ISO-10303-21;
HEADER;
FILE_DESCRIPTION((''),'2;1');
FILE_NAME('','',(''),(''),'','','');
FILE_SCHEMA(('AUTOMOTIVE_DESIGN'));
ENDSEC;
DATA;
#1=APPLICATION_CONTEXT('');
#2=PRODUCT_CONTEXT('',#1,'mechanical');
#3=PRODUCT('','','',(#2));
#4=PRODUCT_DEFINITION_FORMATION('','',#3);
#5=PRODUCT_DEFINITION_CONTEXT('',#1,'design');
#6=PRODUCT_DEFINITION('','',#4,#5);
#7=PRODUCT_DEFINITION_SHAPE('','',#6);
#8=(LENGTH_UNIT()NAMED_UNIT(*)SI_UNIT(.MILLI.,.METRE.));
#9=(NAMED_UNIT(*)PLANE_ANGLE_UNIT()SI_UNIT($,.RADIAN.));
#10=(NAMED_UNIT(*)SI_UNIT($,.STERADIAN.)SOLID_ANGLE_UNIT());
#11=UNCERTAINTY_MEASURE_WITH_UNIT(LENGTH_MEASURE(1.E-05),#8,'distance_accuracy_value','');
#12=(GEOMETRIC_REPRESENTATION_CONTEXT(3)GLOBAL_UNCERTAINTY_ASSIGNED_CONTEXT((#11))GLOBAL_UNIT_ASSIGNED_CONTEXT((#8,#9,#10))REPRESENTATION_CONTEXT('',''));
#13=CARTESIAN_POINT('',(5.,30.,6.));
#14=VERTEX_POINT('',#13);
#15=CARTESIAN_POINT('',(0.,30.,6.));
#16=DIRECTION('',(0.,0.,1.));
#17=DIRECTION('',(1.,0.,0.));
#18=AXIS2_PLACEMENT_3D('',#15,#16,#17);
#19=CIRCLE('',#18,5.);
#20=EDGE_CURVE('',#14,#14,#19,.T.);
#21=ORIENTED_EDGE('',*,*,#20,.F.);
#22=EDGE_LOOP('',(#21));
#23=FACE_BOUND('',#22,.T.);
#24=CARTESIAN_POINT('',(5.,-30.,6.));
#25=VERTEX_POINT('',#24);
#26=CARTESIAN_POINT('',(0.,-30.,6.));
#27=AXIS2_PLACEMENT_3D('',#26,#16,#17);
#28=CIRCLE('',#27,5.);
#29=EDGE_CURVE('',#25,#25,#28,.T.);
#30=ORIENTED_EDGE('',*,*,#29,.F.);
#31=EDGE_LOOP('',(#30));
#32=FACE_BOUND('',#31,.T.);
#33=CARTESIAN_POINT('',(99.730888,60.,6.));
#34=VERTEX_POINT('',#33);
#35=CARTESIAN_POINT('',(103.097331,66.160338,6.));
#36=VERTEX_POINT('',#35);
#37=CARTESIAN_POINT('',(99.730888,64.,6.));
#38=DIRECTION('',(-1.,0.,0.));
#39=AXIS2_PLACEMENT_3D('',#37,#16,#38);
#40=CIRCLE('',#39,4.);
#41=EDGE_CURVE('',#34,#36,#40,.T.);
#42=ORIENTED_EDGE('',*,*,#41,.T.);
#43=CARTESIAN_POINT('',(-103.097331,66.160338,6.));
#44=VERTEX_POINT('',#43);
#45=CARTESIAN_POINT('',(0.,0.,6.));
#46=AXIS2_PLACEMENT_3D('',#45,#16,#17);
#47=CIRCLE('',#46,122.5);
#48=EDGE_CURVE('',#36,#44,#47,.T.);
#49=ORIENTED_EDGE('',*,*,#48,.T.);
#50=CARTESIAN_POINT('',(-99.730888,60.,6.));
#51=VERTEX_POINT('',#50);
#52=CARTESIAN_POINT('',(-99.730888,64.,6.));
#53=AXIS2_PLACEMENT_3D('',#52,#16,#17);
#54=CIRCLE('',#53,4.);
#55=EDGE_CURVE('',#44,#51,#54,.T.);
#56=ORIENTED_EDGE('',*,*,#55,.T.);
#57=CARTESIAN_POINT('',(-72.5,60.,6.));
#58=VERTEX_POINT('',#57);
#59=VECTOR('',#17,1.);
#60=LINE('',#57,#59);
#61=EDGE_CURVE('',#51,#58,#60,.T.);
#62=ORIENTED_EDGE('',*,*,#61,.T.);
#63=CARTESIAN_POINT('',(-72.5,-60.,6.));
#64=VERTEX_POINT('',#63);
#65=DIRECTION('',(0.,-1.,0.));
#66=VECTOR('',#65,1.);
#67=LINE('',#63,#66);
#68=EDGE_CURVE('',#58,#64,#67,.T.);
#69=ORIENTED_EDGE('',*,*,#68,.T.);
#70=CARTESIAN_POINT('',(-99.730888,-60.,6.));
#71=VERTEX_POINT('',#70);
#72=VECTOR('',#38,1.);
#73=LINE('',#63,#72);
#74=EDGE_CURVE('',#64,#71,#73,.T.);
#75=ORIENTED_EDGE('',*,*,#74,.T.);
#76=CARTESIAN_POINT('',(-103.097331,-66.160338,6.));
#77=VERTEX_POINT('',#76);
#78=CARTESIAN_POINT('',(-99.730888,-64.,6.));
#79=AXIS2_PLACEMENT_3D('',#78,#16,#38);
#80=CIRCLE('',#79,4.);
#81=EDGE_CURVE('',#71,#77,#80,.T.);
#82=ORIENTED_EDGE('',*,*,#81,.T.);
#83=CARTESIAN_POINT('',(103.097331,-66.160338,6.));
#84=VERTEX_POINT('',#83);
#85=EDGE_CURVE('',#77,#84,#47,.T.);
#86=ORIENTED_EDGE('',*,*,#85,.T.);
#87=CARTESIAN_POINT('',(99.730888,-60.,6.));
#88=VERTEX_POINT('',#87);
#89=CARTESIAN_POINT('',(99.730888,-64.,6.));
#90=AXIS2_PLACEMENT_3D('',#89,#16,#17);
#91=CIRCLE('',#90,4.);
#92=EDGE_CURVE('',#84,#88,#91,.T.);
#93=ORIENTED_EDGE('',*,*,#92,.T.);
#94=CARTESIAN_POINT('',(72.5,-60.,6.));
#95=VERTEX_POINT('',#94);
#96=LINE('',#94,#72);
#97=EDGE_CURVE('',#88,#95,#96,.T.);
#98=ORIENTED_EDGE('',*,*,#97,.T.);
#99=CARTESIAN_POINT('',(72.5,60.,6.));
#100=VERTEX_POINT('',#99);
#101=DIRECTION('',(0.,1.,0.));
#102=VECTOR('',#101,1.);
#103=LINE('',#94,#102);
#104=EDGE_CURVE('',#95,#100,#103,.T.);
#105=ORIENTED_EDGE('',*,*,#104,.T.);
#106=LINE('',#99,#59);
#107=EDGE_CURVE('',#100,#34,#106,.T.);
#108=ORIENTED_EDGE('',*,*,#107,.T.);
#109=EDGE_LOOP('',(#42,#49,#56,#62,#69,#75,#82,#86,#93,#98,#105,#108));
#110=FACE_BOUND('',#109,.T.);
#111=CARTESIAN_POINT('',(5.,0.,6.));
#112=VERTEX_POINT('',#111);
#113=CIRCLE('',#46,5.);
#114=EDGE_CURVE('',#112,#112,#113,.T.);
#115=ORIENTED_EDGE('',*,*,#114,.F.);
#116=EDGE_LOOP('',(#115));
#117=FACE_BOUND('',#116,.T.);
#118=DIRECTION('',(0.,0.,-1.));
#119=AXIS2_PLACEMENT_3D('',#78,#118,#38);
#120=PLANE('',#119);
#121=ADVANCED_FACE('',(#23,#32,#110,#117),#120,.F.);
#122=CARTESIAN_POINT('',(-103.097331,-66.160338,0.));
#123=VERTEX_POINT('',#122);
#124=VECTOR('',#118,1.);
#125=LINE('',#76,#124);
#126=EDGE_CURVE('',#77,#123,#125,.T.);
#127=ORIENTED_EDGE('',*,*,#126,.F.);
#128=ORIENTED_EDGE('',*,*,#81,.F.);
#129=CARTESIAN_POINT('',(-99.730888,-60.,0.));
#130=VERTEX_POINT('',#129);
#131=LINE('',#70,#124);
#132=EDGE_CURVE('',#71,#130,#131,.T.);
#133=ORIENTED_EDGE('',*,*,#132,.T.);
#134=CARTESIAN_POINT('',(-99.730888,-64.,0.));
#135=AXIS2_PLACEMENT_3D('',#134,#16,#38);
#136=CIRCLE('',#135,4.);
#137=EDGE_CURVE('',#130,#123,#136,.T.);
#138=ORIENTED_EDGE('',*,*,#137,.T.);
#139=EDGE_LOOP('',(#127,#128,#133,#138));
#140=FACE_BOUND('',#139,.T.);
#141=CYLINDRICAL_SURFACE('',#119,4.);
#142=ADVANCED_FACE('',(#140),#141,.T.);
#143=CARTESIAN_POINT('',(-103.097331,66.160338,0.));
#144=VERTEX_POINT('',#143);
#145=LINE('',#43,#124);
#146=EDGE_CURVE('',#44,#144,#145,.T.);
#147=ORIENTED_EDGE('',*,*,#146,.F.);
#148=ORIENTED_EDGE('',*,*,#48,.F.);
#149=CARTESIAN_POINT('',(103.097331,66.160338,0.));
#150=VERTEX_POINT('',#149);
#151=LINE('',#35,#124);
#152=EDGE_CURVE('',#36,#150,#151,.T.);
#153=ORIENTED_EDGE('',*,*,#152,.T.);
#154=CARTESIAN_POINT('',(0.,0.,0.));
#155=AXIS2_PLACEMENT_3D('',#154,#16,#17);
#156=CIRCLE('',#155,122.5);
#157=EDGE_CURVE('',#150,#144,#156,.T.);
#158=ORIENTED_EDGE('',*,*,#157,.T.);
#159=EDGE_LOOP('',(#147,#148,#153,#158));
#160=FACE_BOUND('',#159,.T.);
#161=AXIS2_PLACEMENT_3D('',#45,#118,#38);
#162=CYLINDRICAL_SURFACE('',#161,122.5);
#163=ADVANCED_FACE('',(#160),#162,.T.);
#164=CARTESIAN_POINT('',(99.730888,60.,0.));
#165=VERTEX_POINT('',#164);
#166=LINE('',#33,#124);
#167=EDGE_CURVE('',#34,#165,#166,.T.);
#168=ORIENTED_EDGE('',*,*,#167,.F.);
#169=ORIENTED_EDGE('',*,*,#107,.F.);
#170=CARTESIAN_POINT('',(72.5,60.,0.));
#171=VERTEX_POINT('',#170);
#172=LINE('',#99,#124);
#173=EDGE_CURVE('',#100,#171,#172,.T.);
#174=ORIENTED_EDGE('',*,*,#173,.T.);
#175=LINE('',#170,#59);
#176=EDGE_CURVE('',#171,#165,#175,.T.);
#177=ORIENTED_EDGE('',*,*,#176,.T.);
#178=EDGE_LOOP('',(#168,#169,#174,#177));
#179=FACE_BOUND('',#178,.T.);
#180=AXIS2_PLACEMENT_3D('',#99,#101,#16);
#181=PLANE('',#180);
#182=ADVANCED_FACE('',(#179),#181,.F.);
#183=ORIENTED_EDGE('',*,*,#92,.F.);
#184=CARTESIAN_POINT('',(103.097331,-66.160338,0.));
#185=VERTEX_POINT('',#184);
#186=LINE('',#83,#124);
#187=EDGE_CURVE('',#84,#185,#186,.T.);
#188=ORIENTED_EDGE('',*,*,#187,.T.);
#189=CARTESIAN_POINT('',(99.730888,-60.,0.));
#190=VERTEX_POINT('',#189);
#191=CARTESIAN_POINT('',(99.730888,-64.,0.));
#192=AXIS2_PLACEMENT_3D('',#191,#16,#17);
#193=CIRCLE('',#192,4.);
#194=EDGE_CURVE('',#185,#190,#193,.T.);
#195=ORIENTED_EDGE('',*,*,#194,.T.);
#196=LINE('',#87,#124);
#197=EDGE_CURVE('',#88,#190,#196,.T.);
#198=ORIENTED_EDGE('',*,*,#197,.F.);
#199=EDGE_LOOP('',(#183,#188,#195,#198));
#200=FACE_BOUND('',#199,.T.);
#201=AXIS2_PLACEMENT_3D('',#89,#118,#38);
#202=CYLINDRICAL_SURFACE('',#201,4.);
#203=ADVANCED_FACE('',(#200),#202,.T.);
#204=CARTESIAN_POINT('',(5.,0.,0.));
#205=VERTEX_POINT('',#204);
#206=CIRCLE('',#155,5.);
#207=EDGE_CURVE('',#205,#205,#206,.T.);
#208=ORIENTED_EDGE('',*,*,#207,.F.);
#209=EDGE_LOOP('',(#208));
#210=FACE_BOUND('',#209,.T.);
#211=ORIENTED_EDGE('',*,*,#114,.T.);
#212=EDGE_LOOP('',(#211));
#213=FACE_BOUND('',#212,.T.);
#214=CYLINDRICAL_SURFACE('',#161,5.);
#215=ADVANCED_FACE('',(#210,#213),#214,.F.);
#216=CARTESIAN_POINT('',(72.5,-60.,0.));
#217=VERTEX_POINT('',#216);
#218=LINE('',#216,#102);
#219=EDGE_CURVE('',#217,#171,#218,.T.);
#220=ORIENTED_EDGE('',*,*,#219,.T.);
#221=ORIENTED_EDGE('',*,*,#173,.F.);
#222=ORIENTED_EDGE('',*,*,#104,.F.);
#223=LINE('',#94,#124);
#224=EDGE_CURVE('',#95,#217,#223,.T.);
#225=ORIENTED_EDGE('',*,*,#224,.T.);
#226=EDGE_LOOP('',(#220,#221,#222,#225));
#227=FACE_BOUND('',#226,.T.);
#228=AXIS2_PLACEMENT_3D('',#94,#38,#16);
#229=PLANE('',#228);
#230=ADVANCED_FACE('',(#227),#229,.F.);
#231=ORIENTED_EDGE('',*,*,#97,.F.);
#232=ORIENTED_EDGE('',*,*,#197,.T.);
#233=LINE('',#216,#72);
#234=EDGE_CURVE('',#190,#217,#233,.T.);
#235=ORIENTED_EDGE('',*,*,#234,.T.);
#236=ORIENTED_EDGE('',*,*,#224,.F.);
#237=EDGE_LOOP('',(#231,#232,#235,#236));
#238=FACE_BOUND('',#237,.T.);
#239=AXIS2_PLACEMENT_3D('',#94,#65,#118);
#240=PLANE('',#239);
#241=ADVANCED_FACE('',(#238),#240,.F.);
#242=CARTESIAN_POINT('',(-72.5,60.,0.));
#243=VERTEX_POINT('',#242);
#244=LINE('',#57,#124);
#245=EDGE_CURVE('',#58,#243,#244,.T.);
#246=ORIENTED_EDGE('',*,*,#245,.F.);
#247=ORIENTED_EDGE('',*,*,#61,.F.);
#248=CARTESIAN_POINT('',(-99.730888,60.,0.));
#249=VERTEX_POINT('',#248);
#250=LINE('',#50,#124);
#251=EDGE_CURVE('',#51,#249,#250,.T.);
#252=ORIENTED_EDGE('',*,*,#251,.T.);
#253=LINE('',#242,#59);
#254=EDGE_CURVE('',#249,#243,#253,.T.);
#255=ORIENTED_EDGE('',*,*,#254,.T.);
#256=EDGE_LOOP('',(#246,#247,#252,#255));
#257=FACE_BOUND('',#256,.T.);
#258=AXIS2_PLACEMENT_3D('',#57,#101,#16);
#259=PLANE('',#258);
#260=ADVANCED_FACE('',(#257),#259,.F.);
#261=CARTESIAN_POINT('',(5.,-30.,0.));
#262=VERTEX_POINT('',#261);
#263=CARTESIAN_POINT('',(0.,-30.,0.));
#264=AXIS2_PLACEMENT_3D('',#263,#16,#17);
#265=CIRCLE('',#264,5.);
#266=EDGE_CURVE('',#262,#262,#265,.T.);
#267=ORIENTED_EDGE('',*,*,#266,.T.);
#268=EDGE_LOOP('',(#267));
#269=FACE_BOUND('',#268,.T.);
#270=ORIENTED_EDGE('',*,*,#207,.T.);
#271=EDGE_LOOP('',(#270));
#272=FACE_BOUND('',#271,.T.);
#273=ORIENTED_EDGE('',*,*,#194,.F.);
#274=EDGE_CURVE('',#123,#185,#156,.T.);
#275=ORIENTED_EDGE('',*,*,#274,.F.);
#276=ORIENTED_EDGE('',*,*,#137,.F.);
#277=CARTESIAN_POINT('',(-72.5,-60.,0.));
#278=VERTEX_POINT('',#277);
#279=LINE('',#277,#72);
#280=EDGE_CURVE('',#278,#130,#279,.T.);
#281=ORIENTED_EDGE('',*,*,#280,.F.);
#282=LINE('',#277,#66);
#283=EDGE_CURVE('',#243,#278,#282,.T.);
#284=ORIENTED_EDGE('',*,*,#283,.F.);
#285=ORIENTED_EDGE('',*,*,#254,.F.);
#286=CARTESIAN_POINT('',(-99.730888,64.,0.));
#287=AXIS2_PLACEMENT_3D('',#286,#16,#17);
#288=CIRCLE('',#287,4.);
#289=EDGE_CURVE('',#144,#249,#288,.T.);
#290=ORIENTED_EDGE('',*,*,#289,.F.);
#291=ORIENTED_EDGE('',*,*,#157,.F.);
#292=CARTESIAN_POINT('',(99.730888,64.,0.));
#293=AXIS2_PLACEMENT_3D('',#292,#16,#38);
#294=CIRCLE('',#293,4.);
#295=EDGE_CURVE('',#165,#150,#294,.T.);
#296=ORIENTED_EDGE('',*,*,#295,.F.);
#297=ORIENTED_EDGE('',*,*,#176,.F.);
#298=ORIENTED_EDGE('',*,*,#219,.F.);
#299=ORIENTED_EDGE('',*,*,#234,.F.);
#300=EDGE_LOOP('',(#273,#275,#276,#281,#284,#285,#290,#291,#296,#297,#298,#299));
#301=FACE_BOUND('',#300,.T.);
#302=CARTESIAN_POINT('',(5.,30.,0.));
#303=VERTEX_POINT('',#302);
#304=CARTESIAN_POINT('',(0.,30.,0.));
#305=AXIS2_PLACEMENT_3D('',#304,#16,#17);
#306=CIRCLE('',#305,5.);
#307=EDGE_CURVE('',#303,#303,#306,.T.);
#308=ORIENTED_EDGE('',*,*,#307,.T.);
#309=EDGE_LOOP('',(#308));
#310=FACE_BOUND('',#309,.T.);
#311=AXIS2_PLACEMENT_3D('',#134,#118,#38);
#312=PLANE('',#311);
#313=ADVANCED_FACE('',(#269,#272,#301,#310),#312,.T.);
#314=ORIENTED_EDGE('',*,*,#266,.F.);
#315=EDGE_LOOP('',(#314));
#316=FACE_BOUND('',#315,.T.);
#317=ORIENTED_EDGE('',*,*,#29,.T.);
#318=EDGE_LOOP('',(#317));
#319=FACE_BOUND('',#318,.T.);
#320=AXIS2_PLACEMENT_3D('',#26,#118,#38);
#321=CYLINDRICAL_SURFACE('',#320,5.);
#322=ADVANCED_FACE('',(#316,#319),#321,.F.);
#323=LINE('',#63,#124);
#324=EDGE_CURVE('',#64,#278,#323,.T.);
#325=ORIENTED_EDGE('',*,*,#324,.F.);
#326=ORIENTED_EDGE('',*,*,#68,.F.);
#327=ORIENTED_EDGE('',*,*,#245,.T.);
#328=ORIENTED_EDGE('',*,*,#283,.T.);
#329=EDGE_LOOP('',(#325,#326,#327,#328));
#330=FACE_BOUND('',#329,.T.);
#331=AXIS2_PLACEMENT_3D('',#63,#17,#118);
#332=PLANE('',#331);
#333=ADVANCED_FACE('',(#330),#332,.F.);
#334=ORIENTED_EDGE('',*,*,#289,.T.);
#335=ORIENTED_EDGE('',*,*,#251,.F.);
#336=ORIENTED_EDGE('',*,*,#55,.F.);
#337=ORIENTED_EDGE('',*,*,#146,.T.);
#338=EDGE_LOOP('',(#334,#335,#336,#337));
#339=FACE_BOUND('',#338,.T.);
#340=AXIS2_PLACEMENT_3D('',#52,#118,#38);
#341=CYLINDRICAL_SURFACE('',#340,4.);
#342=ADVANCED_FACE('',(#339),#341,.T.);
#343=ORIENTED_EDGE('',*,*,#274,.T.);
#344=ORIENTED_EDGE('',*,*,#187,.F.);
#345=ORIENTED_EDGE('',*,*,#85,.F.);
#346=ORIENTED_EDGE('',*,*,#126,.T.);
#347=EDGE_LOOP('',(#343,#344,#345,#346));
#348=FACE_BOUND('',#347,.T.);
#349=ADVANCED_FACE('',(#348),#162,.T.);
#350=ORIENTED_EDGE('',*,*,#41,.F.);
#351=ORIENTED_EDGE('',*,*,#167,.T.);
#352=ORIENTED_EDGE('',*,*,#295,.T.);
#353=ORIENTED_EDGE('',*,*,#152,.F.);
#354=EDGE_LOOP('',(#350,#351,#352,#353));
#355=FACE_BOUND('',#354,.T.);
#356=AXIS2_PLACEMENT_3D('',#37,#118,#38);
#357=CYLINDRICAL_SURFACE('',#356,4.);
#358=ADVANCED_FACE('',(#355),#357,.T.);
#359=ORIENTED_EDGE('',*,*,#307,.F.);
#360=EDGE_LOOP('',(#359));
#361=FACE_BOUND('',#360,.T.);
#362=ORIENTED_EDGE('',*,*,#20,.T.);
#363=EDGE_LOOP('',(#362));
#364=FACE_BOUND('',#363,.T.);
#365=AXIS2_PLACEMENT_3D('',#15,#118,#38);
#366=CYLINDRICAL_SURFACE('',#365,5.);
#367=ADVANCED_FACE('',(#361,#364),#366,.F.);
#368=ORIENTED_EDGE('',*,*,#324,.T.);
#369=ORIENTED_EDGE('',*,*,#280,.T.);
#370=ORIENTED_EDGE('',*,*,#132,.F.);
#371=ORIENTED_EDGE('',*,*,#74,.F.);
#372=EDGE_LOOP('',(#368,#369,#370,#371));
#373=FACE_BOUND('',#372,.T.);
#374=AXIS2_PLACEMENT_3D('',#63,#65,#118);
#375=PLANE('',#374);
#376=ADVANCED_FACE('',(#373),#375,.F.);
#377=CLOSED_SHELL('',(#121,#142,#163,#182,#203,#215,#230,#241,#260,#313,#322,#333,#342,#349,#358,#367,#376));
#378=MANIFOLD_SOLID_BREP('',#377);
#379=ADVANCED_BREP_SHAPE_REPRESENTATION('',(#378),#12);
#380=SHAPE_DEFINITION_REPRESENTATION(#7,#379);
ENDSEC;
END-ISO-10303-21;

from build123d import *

# Parameters (mm, degrees)
ESBO_O1_R                = 5
RESSALTO_EXTRUS_O1_DEPTH = 6


with BuildPart() as part:
    # Esboço1 → Ressalto-extrusão1 (new body)
    with BuildSketch(Plane.XY):
        with BuildLine():
            Line((-72.5, 60), (-99.730887893, 60))
            ThreePointArc((-99.730887893, 60), (-103.240969816, 62.08184336), (-103.097331367, 66.160337553))
            ThreePointArc((-103.097331367, 66.160337553), (0, 122.5), (103.097331367, 66.160337553))
            ThreePointArc((103.097331367, 66.160337553), (103.240969816, 62.08184336), (99.730887893, 60))
            Line((99.730887893, 60), (72.5, 60))
            Line((72.5, 60), (72.5, -60))
            Line((72.5, -60), (99.730887893, -60))
            ThreePointArc((99.730887893, -60), (103.240969816, -62.08184336), (103.097331367, -66.160337553))
            ThreePointArc((103.097331367, -66.160337553), (0, -122.5), (-103.097331367, -66.160337553))
            ThreePointArc((-103.097331367, -66.160337553), (-103.240969816, -62.08184336), (-99.730887893, -60))
            Line((-99.730887893, -60), (-72.5, -60))
            Line((-72.5, -60), (-72.5, 60))
        make_face()
        with Locations((0, -30)):
            Circle(ESBO_O1_R, mode=Mode.SUBTRACT)
        Circle(ESBO_O1_R, mode=Mode.SUBTRACT)
        with Locations((0, 30)):
            Circle(ESBO_O1_R, mode=Mode.SUBTRACT)
    extrude(amount=RESSALTO_EXTRUS_O1_DEPTH)


solid = part.part
